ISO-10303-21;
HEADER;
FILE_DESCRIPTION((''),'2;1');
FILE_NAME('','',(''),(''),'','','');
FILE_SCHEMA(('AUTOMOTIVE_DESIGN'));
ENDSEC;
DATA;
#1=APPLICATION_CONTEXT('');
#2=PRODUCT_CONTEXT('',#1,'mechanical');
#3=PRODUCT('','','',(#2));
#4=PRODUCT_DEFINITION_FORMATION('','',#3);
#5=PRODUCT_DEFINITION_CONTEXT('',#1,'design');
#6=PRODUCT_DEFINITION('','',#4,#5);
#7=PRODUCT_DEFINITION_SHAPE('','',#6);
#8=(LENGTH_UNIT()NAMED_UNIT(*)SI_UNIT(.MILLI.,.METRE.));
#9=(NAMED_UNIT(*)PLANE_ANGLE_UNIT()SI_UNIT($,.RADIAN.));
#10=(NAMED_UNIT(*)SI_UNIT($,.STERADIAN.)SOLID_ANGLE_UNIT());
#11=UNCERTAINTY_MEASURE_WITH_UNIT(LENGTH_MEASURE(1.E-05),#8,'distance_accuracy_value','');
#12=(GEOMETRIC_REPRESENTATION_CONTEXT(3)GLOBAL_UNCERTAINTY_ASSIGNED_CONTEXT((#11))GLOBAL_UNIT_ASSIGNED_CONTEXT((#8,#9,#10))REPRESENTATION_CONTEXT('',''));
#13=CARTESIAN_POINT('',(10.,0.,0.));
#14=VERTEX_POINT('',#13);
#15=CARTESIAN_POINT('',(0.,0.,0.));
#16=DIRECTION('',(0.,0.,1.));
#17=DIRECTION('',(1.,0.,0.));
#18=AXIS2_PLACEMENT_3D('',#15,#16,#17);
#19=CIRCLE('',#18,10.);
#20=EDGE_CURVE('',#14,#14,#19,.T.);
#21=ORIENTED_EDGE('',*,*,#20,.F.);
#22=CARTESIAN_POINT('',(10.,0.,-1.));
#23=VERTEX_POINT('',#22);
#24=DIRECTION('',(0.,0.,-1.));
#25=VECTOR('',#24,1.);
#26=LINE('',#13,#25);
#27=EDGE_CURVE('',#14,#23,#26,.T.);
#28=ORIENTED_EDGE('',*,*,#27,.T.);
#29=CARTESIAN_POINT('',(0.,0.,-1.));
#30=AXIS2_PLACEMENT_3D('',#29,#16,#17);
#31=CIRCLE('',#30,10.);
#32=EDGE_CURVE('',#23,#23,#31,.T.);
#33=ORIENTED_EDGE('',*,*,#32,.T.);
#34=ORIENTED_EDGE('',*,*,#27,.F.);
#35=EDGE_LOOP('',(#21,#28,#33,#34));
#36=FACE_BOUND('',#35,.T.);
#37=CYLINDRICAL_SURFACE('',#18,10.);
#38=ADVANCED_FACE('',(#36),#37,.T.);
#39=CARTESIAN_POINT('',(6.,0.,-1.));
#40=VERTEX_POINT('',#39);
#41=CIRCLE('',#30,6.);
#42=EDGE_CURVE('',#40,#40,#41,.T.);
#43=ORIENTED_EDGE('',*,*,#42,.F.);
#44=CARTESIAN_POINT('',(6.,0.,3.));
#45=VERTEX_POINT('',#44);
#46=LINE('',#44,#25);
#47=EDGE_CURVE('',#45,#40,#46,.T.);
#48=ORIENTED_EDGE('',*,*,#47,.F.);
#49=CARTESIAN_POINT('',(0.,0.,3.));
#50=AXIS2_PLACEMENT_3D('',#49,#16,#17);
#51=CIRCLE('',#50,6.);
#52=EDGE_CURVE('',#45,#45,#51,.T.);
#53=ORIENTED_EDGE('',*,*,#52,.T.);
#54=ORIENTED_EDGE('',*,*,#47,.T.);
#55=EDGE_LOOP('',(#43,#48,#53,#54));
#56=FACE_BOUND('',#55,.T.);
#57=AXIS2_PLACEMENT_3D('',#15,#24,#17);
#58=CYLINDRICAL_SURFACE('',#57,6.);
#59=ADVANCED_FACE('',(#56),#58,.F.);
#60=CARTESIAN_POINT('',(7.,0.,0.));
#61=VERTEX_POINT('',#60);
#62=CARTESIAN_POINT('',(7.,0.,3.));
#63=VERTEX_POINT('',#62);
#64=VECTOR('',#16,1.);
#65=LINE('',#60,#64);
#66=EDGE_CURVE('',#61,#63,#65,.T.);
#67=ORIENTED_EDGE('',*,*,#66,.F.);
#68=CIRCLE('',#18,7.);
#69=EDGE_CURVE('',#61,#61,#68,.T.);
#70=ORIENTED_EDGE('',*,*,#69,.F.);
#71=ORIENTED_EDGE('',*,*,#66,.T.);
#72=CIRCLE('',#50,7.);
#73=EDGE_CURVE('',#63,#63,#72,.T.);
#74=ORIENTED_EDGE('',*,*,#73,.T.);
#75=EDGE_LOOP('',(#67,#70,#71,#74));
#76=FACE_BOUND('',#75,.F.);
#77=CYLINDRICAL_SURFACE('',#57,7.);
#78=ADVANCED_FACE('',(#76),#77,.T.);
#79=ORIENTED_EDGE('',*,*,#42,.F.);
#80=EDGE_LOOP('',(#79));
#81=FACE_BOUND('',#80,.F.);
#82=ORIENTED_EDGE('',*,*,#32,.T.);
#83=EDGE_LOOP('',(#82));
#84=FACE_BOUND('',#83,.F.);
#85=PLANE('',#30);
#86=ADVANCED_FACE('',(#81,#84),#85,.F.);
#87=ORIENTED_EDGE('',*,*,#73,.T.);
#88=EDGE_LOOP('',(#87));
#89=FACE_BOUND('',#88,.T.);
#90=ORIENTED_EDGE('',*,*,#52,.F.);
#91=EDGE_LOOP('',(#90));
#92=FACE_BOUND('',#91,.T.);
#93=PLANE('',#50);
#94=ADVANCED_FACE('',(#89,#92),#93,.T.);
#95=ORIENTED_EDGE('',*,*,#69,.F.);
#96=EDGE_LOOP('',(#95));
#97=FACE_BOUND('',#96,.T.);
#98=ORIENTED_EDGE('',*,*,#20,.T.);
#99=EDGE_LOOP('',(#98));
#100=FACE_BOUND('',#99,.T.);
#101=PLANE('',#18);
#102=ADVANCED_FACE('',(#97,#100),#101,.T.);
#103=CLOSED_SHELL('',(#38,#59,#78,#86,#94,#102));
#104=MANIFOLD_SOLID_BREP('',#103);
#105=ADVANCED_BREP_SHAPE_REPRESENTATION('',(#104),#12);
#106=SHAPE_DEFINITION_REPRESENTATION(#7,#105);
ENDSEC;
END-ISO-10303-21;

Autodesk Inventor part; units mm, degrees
ref_plane "YZ Plane" through (0, 0, 0) normal (1, 0, 0) x (0, 1, 0)
ref_plane "XZ Plane" through (0, 0, 0) normal (0, 1, 0) x (-1, 0, 0)
ref_plane "XY Plane" through (0, 0, 0) normal (0, 0, 1) x (1, 0, 0)
sketch "スケッチ1" plane through (0, 0, 0) normal (0, 0, 1) x (1, 0, 0)
  circle A0 centre (0, 0) radius 6
  circle A1 centre (0, 0) radius 7
  circle A2 centre (0, 0) radius 10
  dimension "d0" = 12
  dimension "d1" = 14
  dimension "d2" = 20
extrude "押し出し1" add sketch "スケッチ1" along normal blind 3 contours A1
extrude "押し出し2" add sketch "スケッチ1" against normal blind 1 contours A1 | A2
properties part number "ドライメット　内径12 フランジ付き3mm" material "鋼"
